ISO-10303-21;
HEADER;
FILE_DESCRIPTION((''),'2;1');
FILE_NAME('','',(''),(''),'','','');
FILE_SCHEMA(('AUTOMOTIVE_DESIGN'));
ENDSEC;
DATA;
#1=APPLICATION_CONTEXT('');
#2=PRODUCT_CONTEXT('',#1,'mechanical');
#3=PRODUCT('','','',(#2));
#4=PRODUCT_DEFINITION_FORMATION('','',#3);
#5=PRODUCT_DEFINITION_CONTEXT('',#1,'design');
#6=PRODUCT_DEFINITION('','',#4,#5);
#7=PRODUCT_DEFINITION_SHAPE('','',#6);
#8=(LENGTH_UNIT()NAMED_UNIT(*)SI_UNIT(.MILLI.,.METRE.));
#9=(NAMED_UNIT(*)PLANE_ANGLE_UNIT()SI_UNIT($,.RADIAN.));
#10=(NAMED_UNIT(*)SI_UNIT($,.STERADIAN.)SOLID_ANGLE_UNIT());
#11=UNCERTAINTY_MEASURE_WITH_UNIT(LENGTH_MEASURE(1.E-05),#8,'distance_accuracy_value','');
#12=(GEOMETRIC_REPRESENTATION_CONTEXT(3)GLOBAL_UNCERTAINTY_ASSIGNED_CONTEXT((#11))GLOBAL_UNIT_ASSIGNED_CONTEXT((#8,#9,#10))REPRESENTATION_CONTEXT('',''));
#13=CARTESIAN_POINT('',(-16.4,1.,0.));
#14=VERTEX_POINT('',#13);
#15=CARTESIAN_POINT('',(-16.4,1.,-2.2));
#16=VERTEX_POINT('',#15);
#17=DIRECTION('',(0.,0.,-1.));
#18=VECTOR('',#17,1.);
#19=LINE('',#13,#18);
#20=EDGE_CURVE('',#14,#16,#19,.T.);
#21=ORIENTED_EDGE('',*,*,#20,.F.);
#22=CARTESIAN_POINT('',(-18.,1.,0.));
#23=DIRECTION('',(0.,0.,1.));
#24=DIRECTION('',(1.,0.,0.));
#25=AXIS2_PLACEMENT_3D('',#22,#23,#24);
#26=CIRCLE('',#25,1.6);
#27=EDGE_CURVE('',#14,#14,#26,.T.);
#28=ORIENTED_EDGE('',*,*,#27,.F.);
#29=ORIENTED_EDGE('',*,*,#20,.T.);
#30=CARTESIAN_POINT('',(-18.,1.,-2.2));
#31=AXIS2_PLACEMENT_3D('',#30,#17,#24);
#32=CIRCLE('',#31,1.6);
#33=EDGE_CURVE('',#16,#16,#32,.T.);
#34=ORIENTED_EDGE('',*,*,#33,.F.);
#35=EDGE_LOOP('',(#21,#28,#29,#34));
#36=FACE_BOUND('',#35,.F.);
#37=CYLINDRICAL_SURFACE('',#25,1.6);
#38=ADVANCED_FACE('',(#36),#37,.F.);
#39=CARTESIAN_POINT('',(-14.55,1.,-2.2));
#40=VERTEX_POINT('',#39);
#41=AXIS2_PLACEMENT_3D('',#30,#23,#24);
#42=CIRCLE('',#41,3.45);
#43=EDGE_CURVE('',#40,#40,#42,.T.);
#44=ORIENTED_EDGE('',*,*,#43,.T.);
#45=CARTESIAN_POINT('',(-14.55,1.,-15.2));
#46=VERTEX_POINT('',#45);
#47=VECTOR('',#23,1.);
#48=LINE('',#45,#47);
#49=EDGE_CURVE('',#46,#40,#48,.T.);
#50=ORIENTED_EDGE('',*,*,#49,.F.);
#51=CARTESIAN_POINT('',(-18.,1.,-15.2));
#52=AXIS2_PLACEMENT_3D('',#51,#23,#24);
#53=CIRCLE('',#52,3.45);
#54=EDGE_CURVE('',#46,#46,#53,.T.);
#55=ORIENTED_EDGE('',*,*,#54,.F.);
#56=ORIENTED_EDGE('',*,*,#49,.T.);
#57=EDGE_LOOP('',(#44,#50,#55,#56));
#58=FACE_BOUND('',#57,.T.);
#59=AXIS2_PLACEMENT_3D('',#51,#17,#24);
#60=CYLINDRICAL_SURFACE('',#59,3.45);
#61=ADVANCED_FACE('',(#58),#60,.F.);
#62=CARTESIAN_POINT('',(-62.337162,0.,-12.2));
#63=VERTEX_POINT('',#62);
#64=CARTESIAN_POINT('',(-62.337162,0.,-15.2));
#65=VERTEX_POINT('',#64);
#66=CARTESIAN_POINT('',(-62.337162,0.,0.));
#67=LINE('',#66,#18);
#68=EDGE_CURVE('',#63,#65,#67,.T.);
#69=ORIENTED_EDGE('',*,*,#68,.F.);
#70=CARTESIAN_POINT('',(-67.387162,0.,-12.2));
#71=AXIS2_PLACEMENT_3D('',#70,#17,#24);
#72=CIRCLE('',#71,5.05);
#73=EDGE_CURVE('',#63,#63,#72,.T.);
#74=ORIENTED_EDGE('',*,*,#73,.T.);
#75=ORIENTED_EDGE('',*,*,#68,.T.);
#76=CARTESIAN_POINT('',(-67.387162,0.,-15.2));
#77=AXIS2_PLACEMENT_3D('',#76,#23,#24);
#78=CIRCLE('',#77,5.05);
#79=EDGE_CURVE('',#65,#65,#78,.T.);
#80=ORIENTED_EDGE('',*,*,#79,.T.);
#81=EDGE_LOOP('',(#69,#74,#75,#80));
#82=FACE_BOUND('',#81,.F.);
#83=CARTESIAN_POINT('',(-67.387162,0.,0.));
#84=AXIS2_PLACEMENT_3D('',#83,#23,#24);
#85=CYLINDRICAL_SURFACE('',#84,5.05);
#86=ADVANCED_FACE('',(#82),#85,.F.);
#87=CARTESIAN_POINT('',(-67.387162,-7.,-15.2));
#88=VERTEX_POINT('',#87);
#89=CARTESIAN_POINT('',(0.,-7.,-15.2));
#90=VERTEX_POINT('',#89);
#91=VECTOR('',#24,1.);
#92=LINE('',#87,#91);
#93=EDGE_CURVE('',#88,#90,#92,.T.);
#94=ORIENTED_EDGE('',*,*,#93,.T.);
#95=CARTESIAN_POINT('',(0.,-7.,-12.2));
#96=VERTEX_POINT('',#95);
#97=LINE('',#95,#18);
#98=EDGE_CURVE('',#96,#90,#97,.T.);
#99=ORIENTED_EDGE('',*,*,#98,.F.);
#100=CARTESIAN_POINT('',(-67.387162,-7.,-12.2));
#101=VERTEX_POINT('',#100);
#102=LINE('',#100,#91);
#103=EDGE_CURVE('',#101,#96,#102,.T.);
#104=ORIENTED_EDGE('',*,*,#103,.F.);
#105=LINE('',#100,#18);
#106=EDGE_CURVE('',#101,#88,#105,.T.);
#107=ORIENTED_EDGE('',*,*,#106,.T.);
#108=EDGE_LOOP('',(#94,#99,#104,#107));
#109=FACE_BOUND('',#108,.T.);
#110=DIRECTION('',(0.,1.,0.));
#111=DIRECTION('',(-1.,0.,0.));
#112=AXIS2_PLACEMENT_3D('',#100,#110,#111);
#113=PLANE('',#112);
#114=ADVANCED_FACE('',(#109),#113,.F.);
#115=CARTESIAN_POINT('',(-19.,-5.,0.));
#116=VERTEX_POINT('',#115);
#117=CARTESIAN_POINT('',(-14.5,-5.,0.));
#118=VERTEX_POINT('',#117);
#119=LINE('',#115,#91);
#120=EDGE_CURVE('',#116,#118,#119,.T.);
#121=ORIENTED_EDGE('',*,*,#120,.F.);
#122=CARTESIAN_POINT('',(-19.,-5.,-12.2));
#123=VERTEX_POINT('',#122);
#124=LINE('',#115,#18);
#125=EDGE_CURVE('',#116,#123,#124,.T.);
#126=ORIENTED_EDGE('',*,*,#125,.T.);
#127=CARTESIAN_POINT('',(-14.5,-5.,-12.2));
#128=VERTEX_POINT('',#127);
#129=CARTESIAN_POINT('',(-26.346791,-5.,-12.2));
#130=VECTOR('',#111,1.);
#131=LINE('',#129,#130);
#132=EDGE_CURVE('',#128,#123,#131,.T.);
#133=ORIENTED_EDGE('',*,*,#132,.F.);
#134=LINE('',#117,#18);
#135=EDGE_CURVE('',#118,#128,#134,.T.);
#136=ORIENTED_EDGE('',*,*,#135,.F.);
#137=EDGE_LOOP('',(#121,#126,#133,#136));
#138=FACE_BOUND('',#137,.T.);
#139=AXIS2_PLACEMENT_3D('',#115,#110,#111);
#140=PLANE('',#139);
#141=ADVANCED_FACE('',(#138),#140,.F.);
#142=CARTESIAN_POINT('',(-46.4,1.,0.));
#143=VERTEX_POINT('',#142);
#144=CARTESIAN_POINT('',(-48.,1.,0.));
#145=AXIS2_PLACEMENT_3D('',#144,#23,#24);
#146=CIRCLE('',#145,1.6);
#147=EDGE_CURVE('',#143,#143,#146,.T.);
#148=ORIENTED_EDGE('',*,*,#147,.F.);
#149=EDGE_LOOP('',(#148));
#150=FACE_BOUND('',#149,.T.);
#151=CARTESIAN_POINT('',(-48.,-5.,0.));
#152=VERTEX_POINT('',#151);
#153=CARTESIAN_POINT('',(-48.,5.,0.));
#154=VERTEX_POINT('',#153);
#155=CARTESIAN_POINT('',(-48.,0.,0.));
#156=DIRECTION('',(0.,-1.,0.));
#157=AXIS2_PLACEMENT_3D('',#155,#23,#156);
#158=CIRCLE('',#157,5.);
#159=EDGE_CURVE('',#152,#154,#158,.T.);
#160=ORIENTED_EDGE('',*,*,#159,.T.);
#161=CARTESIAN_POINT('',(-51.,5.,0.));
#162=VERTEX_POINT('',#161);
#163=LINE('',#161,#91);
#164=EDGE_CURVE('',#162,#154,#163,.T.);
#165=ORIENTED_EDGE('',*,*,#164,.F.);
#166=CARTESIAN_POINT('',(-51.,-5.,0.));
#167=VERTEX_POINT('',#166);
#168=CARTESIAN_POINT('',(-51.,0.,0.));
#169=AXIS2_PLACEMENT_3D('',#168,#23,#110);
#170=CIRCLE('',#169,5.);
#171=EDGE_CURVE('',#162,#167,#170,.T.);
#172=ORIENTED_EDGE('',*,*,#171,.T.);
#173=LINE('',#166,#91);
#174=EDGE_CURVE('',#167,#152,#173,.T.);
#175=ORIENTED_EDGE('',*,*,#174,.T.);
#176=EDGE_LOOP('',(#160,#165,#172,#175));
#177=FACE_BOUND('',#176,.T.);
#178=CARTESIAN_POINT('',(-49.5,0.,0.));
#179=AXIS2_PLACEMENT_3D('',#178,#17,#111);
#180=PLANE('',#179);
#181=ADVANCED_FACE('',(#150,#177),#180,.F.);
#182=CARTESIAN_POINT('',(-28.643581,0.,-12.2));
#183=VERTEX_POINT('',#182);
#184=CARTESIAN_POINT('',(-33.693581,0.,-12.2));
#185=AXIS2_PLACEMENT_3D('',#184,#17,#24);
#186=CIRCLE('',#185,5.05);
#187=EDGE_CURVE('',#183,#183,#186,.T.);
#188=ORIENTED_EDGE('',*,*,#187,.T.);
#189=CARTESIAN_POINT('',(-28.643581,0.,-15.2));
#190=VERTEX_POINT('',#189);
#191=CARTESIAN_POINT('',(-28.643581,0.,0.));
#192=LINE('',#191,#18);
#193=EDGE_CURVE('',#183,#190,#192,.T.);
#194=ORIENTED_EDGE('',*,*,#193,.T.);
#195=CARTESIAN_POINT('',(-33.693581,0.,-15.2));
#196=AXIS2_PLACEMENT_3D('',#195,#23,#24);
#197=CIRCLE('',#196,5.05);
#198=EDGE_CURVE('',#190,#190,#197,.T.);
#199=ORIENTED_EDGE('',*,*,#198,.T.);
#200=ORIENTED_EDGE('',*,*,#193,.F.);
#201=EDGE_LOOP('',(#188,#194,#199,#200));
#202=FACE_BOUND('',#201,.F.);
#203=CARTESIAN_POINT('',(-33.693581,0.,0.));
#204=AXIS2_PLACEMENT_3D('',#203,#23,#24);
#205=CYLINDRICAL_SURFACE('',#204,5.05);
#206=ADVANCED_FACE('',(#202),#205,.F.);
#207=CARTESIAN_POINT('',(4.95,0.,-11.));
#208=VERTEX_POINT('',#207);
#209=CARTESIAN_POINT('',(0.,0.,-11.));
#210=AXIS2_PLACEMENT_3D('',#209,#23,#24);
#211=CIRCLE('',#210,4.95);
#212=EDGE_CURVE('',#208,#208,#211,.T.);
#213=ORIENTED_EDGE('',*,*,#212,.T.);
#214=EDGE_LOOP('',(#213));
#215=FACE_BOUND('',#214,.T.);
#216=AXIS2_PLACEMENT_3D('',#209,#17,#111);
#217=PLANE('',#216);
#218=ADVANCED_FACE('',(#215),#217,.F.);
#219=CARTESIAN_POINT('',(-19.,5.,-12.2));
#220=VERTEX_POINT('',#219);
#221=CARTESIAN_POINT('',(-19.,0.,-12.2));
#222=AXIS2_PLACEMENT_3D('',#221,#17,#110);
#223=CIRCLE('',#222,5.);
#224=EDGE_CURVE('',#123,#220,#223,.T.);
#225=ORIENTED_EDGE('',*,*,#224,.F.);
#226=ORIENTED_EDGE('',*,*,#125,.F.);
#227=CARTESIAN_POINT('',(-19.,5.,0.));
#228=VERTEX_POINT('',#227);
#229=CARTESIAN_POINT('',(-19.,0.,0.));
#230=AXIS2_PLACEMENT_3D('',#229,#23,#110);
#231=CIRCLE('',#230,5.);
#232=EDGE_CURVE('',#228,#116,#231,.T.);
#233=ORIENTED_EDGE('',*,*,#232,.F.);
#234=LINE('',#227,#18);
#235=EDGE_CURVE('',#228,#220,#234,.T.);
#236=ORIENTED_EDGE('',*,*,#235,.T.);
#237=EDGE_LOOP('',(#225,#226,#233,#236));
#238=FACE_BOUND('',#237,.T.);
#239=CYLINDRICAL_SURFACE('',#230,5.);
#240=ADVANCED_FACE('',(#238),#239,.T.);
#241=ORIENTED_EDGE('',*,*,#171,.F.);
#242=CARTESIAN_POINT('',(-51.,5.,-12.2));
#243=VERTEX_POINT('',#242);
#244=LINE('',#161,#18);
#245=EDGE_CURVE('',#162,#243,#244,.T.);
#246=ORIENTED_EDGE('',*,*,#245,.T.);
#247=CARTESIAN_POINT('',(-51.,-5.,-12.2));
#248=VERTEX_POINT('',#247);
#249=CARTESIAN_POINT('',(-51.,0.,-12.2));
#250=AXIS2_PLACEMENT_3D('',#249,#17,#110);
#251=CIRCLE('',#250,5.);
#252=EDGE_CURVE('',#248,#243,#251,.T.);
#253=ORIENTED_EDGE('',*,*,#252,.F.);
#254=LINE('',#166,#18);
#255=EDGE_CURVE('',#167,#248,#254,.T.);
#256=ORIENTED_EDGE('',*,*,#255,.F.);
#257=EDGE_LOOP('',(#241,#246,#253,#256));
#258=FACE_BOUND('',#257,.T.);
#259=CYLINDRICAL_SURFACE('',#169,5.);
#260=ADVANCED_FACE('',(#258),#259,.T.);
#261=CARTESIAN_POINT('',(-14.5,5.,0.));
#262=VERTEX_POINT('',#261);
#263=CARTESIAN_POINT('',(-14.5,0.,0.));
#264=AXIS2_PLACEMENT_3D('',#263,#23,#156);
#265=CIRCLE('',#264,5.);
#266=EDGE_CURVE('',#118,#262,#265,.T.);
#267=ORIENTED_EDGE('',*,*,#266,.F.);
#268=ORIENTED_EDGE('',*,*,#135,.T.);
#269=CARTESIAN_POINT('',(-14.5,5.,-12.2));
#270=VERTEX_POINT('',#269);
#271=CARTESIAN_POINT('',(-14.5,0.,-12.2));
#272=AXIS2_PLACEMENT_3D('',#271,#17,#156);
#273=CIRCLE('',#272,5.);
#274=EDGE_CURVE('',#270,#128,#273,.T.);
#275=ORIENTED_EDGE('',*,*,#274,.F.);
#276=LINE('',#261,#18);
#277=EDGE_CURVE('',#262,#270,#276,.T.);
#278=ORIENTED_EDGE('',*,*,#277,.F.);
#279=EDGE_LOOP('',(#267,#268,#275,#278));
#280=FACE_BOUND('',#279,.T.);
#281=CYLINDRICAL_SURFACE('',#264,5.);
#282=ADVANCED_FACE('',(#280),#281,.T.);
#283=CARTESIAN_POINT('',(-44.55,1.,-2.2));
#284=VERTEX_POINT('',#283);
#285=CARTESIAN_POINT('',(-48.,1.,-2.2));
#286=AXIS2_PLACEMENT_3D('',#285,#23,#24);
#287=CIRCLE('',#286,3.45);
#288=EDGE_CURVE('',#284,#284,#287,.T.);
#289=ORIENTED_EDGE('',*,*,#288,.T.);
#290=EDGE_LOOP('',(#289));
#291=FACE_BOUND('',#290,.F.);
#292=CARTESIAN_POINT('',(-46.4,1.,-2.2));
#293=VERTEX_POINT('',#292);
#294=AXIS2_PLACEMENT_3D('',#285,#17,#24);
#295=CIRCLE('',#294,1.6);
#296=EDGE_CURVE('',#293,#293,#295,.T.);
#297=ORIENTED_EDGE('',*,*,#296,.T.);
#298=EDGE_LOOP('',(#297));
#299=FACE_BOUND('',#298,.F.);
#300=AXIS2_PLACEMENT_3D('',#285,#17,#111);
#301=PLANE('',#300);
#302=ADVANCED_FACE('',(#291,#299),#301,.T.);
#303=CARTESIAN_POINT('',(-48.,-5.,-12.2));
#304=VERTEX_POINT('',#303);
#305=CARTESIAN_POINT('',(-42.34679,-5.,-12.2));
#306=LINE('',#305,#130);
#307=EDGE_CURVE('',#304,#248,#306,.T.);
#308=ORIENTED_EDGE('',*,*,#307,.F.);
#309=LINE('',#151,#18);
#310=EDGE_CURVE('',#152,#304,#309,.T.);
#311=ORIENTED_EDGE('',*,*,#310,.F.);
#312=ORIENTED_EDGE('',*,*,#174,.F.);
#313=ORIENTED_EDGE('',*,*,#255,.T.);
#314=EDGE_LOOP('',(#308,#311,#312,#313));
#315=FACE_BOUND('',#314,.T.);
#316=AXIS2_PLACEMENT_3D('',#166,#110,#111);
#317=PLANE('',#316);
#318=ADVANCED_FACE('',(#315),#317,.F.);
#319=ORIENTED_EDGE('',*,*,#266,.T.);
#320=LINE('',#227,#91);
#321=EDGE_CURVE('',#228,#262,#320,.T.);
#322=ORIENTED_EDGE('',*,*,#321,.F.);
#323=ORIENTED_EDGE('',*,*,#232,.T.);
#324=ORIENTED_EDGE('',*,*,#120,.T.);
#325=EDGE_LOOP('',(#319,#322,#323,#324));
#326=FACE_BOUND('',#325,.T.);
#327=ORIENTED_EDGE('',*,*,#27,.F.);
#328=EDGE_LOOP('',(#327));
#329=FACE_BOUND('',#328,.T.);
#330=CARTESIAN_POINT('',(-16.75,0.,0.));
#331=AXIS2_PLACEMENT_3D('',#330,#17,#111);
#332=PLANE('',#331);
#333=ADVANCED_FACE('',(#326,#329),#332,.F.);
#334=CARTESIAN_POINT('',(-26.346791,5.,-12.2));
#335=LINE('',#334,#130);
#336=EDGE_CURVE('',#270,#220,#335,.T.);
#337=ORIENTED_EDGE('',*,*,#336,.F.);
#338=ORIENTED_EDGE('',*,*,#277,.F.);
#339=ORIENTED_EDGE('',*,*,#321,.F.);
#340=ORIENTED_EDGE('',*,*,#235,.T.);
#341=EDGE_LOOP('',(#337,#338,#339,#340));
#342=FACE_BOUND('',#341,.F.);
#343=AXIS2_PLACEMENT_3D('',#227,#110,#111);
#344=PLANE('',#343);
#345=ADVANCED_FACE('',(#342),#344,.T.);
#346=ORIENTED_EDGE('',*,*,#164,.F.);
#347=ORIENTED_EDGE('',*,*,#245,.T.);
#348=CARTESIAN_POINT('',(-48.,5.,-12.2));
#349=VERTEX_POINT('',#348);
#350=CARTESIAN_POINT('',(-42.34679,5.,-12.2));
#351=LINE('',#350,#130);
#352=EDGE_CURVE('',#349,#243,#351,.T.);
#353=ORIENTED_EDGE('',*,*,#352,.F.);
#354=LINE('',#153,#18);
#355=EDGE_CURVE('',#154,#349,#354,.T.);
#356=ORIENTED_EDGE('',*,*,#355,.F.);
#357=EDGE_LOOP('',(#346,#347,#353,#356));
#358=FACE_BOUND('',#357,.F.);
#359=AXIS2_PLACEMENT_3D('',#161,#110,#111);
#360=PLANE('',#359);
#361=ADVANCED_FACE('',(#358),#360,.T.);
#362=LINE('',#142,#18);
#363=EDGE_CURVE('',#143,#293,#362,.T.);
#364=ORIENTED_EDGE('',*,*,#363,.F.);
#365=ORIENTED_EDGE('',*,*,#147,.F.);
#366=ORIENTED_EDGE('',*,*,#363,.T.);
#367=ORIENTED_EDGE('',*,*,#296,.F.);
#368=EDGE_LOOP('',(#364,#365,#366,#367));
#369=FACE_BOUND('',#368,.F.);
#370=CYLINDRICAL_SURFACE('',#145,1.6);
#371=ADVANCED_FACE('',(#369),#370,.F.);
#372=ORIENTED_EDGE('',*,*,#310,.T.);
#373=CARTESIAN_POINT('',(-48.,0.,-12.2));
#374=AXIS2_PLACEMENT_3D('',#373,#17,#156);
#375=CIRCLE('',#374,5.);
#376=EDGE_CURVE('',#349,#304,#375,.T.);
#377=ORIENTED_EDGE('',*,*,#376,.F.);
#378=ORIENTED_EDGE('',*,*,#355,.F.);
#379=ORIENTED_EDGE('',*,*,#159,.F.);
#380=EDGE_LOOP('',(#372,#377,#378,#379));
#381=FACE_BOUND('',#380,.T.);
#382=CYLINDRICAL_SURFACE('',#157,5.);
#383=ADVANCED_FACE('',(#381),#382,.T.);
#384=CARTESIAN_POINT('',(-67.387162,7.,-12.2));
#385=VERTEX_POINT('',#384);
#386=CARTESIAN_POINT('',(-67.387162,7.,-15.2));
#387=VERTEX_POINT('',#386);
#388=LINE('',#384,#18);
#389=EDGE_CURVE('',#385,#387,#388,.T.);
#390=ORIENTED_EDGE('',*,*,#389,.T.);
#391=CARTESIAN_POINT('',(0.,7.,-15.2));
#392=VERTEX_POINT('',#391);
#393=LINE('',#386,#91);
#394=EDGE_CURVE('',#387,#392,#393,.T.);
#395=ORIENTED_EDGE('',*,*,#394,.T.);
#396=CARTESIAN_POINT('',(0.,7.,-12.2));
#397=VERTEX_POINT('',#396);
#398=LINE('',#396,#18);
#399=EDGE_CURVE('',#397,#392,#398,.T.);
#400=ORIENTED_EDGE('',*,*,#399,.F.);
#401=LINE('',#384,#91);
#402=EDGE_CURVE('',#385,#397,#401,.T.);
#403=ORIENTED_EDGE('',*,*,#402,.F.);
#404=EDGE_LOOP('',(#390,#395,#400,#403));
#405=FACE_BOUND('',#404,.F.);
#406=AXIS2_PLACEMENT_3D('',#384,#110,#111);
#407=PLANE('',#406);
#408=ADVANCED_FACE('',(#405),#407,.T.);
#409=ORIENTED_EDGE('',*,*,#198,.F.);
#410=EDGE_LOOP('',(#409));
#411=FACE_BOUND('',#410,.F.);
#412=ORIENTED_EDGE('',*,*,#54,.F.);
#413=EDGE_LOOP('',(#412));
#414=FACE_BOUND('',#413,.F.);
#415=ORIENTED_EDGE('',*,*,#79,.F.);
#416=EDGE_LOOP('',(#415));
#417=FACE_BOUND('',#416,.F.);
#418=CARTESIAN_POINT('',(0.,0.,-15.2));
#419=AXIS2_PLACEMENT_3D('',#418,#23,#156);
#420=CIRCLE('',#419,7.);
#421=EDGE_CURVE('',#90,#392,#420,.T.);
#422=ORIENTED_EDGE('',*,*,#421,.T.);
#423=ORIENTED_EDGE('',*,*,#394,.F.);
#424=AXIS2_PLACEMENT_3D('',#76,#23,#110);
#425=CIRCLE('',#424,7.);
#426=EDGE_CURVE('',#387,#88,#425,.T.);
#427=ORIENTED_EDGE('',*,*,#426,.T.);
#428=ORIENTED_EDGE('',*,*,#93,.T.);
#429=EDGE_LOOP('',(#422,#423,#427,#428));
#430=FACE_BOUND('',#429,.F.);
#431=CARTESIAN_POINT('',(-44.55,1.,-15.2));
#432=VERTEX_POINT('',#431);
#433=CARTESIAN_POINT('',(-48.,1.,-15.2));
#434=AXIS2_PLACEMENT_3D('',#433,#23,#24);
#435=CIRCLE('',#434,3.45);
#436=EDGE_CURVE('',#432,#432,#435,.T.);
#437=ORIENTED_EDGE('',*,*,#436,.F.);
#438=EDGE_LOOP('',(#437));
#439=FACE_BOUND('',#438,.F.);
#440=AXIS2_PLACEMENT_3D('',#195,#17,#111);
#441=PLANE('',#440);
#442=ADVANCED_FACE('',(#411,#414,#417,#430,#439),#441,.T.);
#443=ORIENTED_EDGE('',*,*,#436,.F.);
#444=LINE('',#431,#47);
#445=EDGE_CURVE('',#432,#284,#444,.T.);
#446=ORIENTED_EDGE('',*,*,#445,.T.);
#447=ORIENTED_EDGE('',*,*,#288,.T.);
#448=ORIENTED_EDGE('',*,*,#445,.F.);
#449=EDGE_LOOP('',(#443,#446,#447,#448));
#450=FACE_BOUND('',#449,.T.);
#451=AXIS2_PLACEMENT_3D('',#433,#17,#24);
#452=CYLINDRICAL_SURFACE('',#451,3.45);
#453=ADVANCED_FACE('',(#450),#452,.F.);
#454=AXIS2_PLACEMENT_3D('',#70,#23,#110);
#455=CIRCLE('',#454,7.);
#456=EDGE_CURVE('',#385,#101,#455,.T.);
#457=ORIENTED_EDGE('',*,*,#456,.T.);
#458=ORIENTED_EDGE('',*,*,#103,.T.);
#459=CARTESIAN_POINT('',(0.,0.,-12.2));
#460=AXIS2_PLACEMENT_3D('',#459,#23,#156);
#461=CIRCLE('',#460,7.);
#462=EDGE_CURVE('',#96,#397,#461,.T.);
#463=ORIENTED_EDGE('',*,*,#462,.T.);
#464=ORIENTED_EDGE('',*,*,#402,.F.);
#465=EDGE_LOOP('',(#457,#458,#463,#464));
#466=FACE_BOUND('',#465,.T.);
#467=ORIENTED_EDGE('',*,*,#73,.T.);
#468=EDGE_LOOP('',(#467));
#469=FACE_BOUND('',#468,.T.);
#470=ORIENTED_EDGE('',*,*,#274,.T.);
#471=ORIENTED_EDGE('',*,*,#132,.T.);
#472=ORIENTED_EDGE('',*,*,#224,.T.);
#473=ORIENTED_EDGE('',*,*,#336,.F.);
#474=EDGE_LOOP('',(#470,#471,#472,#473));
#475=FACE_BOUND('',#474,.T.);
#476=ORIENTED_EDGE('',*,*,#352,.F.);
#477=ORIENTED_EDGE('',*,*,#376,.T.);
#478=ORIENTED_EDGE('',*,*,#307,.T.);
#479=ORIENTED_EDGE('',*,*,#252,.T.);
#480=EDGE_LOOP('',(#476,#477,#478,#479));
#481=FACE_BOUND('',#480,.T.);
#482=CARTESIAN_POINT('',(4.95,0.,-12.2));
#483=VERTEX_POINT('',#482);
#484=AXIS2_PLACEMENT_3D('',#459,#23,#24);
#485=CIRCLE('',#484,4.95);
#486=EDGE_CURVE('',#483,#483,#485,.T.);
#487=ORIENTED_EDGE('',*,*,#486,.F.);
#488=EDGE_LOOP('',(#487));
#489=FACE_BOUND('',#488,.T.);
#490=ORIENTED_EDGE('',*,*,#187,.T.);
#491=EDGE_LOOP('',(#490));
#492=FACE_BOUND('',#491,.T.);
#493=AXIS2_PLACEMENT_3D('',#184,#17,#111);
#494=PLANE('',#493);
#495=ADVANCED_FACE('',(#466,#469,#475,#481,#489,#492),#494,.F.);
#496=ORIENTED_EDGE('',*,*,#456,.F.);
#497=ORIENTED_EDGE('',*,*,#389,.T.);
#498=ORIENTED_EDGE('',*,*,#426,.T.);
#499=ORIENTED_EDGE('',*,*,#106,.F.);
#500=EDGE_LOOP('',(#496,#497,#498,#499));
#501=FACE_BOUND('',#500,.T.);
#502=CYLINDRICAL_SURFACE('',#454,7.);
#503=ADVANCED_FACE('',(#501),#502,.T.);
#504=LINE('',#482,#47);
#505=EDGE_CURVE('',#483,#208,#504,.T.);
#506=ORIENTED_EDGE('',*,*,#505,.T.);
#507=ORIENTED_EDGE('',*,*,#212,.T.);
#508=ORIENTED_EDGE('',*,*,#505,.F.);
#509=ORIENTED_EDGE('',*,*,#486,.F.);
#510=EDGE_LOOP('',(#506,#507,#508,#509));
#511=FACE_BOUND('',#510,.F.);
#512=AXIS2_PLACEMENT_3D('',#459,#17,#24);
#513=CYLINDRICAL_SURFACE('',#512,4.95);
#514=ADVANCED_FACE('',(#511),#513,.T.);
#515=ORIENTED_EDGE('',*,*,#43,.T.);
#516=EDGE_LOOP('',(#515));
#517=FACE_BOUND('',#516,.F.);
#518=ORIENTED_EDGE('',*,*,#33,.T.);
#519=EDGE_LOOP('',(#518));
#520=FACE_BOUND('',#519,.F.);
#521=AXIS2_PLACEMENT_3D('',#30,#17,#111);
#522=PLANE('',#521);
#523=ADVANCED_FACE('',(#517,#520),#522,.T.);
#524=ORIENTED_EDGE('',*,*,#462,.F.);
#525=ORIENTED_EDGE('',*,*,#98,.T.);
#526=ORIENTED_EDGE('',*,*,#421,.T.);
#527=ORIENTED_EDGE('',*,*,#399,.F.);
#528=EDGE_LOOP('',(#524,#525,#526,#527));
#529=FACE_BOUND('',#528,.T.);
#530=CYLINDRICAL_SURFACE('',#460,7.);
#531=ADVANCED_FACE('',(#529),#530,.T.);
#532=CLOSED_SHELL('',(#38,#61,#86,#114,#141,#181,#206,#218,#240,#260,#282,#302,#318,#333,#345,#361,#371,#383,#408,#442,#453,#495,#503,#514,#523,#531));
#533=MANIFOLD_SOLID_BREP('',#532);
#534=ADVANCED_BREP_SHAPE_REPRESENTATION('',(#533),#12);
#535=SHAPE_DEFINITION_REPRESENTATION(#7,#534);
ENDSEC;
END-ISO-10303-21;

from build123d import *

# Parameters (mm, degrees)
PAD008_DEPTH    = 3
PAD009_DEPTH    = 15.2
SKETCH025_R     = 5.05
SKETCH025_R_2   = 1.6
POCKET_DEPTH    = 15.2
SKETCH026_R     = 4.95
PAD010_DEPTH    = 1.2
SKETCH027_R     = 3.45
POCKET001_DEPTH = 13


with BuildPart() as leftdrivegearretainerbody:
    # Sketch023 → Pad008 (new body)
    with BuildSketch(Plane.XY.offset(12.2)):
        with BuildLine():
            ThreePointArc((-67.387162, 7), (-74.387162, 0), (-67.387162, -7))
            Line((-67.387162, -7), (0, -7))
            ThreePointArc((0, -7), (7, 0), (0, 7))
            Line((-67.387162, 7), (0, 7))
        make_face()
    extrude(amount=PAD008_DEPTH)

    # Sketch024 → Pad009 (join)
    with BuildSketch(Plane.XY):
        with BuildLine():
            ThreePointArc((-19, 5), (-24, 0), (-19, -5))
            Line((-19, -5), (-14.5, -5))
            ThreePointArc((-14.5, -5), (-9.5, 0), (-14.5, 5))
            Line((-19, 5), (-14.5, 5))
        make_face()
        with BuildLine():
            ThreePointArc((-51, 5), (-56, 0), (-51, -5))
            Line((-51, -5), (-48, -5))
            ThreePointArc((-48, -5), (-43, 0), (-48, 5))
            Line((-51, 5), (-48, 5))
        make_face()
    extrude(amount=PAD009_DEPTH)

    # Sketch025 → Pocket (cut)
    with BuildSketch(Plane.XY):
        with Locations((-33.693581, 0)):
            Circle(SKETCH025_R)
        with Locations((-67.387162, 0)):
            Circle(SKETCH025_R)
        with Locations((-18, 1)):
            Circle(SKETCH025_R_2)
        with Locations((-48, 1)):
            Circle(SKETCH025_R_2)
    extrude(amount=POCKET_DEPTH, mode=Mode.SUBTRACT)

    # Sketch026 → Pad010 (join)
    with BuildSketch(Plane.XY.offset(12.2)):
        Circle(SKETCH026_R)
    extrude(amount=-PAD010_DEPTH)

    # Sketch027 → Pocket001 (cut)
    with BuildSketch(Plane.XY.offset(15.2)):
        with Locations((-18, 1)):
            Circle(SKETCH027_R)
        with Locations((-48, 1)):
            Circle(SKETCH027_R)
    extrude(amount=-POCKET001_DEPTH, mode=Mode.SUBTRACT)


with BuildPart() as rightdrivegearretainer:
    # Part__Mirroring004: instance of LeftDriveGearRetainerBody
    add(leftdrivegearretainerbody.part.mirror(Plane(origin=(0, 0, 0), x_dir=(0, 1, 0), z_dir=(0, 0, 1))))


solid = rightdrivegearretainer.part
